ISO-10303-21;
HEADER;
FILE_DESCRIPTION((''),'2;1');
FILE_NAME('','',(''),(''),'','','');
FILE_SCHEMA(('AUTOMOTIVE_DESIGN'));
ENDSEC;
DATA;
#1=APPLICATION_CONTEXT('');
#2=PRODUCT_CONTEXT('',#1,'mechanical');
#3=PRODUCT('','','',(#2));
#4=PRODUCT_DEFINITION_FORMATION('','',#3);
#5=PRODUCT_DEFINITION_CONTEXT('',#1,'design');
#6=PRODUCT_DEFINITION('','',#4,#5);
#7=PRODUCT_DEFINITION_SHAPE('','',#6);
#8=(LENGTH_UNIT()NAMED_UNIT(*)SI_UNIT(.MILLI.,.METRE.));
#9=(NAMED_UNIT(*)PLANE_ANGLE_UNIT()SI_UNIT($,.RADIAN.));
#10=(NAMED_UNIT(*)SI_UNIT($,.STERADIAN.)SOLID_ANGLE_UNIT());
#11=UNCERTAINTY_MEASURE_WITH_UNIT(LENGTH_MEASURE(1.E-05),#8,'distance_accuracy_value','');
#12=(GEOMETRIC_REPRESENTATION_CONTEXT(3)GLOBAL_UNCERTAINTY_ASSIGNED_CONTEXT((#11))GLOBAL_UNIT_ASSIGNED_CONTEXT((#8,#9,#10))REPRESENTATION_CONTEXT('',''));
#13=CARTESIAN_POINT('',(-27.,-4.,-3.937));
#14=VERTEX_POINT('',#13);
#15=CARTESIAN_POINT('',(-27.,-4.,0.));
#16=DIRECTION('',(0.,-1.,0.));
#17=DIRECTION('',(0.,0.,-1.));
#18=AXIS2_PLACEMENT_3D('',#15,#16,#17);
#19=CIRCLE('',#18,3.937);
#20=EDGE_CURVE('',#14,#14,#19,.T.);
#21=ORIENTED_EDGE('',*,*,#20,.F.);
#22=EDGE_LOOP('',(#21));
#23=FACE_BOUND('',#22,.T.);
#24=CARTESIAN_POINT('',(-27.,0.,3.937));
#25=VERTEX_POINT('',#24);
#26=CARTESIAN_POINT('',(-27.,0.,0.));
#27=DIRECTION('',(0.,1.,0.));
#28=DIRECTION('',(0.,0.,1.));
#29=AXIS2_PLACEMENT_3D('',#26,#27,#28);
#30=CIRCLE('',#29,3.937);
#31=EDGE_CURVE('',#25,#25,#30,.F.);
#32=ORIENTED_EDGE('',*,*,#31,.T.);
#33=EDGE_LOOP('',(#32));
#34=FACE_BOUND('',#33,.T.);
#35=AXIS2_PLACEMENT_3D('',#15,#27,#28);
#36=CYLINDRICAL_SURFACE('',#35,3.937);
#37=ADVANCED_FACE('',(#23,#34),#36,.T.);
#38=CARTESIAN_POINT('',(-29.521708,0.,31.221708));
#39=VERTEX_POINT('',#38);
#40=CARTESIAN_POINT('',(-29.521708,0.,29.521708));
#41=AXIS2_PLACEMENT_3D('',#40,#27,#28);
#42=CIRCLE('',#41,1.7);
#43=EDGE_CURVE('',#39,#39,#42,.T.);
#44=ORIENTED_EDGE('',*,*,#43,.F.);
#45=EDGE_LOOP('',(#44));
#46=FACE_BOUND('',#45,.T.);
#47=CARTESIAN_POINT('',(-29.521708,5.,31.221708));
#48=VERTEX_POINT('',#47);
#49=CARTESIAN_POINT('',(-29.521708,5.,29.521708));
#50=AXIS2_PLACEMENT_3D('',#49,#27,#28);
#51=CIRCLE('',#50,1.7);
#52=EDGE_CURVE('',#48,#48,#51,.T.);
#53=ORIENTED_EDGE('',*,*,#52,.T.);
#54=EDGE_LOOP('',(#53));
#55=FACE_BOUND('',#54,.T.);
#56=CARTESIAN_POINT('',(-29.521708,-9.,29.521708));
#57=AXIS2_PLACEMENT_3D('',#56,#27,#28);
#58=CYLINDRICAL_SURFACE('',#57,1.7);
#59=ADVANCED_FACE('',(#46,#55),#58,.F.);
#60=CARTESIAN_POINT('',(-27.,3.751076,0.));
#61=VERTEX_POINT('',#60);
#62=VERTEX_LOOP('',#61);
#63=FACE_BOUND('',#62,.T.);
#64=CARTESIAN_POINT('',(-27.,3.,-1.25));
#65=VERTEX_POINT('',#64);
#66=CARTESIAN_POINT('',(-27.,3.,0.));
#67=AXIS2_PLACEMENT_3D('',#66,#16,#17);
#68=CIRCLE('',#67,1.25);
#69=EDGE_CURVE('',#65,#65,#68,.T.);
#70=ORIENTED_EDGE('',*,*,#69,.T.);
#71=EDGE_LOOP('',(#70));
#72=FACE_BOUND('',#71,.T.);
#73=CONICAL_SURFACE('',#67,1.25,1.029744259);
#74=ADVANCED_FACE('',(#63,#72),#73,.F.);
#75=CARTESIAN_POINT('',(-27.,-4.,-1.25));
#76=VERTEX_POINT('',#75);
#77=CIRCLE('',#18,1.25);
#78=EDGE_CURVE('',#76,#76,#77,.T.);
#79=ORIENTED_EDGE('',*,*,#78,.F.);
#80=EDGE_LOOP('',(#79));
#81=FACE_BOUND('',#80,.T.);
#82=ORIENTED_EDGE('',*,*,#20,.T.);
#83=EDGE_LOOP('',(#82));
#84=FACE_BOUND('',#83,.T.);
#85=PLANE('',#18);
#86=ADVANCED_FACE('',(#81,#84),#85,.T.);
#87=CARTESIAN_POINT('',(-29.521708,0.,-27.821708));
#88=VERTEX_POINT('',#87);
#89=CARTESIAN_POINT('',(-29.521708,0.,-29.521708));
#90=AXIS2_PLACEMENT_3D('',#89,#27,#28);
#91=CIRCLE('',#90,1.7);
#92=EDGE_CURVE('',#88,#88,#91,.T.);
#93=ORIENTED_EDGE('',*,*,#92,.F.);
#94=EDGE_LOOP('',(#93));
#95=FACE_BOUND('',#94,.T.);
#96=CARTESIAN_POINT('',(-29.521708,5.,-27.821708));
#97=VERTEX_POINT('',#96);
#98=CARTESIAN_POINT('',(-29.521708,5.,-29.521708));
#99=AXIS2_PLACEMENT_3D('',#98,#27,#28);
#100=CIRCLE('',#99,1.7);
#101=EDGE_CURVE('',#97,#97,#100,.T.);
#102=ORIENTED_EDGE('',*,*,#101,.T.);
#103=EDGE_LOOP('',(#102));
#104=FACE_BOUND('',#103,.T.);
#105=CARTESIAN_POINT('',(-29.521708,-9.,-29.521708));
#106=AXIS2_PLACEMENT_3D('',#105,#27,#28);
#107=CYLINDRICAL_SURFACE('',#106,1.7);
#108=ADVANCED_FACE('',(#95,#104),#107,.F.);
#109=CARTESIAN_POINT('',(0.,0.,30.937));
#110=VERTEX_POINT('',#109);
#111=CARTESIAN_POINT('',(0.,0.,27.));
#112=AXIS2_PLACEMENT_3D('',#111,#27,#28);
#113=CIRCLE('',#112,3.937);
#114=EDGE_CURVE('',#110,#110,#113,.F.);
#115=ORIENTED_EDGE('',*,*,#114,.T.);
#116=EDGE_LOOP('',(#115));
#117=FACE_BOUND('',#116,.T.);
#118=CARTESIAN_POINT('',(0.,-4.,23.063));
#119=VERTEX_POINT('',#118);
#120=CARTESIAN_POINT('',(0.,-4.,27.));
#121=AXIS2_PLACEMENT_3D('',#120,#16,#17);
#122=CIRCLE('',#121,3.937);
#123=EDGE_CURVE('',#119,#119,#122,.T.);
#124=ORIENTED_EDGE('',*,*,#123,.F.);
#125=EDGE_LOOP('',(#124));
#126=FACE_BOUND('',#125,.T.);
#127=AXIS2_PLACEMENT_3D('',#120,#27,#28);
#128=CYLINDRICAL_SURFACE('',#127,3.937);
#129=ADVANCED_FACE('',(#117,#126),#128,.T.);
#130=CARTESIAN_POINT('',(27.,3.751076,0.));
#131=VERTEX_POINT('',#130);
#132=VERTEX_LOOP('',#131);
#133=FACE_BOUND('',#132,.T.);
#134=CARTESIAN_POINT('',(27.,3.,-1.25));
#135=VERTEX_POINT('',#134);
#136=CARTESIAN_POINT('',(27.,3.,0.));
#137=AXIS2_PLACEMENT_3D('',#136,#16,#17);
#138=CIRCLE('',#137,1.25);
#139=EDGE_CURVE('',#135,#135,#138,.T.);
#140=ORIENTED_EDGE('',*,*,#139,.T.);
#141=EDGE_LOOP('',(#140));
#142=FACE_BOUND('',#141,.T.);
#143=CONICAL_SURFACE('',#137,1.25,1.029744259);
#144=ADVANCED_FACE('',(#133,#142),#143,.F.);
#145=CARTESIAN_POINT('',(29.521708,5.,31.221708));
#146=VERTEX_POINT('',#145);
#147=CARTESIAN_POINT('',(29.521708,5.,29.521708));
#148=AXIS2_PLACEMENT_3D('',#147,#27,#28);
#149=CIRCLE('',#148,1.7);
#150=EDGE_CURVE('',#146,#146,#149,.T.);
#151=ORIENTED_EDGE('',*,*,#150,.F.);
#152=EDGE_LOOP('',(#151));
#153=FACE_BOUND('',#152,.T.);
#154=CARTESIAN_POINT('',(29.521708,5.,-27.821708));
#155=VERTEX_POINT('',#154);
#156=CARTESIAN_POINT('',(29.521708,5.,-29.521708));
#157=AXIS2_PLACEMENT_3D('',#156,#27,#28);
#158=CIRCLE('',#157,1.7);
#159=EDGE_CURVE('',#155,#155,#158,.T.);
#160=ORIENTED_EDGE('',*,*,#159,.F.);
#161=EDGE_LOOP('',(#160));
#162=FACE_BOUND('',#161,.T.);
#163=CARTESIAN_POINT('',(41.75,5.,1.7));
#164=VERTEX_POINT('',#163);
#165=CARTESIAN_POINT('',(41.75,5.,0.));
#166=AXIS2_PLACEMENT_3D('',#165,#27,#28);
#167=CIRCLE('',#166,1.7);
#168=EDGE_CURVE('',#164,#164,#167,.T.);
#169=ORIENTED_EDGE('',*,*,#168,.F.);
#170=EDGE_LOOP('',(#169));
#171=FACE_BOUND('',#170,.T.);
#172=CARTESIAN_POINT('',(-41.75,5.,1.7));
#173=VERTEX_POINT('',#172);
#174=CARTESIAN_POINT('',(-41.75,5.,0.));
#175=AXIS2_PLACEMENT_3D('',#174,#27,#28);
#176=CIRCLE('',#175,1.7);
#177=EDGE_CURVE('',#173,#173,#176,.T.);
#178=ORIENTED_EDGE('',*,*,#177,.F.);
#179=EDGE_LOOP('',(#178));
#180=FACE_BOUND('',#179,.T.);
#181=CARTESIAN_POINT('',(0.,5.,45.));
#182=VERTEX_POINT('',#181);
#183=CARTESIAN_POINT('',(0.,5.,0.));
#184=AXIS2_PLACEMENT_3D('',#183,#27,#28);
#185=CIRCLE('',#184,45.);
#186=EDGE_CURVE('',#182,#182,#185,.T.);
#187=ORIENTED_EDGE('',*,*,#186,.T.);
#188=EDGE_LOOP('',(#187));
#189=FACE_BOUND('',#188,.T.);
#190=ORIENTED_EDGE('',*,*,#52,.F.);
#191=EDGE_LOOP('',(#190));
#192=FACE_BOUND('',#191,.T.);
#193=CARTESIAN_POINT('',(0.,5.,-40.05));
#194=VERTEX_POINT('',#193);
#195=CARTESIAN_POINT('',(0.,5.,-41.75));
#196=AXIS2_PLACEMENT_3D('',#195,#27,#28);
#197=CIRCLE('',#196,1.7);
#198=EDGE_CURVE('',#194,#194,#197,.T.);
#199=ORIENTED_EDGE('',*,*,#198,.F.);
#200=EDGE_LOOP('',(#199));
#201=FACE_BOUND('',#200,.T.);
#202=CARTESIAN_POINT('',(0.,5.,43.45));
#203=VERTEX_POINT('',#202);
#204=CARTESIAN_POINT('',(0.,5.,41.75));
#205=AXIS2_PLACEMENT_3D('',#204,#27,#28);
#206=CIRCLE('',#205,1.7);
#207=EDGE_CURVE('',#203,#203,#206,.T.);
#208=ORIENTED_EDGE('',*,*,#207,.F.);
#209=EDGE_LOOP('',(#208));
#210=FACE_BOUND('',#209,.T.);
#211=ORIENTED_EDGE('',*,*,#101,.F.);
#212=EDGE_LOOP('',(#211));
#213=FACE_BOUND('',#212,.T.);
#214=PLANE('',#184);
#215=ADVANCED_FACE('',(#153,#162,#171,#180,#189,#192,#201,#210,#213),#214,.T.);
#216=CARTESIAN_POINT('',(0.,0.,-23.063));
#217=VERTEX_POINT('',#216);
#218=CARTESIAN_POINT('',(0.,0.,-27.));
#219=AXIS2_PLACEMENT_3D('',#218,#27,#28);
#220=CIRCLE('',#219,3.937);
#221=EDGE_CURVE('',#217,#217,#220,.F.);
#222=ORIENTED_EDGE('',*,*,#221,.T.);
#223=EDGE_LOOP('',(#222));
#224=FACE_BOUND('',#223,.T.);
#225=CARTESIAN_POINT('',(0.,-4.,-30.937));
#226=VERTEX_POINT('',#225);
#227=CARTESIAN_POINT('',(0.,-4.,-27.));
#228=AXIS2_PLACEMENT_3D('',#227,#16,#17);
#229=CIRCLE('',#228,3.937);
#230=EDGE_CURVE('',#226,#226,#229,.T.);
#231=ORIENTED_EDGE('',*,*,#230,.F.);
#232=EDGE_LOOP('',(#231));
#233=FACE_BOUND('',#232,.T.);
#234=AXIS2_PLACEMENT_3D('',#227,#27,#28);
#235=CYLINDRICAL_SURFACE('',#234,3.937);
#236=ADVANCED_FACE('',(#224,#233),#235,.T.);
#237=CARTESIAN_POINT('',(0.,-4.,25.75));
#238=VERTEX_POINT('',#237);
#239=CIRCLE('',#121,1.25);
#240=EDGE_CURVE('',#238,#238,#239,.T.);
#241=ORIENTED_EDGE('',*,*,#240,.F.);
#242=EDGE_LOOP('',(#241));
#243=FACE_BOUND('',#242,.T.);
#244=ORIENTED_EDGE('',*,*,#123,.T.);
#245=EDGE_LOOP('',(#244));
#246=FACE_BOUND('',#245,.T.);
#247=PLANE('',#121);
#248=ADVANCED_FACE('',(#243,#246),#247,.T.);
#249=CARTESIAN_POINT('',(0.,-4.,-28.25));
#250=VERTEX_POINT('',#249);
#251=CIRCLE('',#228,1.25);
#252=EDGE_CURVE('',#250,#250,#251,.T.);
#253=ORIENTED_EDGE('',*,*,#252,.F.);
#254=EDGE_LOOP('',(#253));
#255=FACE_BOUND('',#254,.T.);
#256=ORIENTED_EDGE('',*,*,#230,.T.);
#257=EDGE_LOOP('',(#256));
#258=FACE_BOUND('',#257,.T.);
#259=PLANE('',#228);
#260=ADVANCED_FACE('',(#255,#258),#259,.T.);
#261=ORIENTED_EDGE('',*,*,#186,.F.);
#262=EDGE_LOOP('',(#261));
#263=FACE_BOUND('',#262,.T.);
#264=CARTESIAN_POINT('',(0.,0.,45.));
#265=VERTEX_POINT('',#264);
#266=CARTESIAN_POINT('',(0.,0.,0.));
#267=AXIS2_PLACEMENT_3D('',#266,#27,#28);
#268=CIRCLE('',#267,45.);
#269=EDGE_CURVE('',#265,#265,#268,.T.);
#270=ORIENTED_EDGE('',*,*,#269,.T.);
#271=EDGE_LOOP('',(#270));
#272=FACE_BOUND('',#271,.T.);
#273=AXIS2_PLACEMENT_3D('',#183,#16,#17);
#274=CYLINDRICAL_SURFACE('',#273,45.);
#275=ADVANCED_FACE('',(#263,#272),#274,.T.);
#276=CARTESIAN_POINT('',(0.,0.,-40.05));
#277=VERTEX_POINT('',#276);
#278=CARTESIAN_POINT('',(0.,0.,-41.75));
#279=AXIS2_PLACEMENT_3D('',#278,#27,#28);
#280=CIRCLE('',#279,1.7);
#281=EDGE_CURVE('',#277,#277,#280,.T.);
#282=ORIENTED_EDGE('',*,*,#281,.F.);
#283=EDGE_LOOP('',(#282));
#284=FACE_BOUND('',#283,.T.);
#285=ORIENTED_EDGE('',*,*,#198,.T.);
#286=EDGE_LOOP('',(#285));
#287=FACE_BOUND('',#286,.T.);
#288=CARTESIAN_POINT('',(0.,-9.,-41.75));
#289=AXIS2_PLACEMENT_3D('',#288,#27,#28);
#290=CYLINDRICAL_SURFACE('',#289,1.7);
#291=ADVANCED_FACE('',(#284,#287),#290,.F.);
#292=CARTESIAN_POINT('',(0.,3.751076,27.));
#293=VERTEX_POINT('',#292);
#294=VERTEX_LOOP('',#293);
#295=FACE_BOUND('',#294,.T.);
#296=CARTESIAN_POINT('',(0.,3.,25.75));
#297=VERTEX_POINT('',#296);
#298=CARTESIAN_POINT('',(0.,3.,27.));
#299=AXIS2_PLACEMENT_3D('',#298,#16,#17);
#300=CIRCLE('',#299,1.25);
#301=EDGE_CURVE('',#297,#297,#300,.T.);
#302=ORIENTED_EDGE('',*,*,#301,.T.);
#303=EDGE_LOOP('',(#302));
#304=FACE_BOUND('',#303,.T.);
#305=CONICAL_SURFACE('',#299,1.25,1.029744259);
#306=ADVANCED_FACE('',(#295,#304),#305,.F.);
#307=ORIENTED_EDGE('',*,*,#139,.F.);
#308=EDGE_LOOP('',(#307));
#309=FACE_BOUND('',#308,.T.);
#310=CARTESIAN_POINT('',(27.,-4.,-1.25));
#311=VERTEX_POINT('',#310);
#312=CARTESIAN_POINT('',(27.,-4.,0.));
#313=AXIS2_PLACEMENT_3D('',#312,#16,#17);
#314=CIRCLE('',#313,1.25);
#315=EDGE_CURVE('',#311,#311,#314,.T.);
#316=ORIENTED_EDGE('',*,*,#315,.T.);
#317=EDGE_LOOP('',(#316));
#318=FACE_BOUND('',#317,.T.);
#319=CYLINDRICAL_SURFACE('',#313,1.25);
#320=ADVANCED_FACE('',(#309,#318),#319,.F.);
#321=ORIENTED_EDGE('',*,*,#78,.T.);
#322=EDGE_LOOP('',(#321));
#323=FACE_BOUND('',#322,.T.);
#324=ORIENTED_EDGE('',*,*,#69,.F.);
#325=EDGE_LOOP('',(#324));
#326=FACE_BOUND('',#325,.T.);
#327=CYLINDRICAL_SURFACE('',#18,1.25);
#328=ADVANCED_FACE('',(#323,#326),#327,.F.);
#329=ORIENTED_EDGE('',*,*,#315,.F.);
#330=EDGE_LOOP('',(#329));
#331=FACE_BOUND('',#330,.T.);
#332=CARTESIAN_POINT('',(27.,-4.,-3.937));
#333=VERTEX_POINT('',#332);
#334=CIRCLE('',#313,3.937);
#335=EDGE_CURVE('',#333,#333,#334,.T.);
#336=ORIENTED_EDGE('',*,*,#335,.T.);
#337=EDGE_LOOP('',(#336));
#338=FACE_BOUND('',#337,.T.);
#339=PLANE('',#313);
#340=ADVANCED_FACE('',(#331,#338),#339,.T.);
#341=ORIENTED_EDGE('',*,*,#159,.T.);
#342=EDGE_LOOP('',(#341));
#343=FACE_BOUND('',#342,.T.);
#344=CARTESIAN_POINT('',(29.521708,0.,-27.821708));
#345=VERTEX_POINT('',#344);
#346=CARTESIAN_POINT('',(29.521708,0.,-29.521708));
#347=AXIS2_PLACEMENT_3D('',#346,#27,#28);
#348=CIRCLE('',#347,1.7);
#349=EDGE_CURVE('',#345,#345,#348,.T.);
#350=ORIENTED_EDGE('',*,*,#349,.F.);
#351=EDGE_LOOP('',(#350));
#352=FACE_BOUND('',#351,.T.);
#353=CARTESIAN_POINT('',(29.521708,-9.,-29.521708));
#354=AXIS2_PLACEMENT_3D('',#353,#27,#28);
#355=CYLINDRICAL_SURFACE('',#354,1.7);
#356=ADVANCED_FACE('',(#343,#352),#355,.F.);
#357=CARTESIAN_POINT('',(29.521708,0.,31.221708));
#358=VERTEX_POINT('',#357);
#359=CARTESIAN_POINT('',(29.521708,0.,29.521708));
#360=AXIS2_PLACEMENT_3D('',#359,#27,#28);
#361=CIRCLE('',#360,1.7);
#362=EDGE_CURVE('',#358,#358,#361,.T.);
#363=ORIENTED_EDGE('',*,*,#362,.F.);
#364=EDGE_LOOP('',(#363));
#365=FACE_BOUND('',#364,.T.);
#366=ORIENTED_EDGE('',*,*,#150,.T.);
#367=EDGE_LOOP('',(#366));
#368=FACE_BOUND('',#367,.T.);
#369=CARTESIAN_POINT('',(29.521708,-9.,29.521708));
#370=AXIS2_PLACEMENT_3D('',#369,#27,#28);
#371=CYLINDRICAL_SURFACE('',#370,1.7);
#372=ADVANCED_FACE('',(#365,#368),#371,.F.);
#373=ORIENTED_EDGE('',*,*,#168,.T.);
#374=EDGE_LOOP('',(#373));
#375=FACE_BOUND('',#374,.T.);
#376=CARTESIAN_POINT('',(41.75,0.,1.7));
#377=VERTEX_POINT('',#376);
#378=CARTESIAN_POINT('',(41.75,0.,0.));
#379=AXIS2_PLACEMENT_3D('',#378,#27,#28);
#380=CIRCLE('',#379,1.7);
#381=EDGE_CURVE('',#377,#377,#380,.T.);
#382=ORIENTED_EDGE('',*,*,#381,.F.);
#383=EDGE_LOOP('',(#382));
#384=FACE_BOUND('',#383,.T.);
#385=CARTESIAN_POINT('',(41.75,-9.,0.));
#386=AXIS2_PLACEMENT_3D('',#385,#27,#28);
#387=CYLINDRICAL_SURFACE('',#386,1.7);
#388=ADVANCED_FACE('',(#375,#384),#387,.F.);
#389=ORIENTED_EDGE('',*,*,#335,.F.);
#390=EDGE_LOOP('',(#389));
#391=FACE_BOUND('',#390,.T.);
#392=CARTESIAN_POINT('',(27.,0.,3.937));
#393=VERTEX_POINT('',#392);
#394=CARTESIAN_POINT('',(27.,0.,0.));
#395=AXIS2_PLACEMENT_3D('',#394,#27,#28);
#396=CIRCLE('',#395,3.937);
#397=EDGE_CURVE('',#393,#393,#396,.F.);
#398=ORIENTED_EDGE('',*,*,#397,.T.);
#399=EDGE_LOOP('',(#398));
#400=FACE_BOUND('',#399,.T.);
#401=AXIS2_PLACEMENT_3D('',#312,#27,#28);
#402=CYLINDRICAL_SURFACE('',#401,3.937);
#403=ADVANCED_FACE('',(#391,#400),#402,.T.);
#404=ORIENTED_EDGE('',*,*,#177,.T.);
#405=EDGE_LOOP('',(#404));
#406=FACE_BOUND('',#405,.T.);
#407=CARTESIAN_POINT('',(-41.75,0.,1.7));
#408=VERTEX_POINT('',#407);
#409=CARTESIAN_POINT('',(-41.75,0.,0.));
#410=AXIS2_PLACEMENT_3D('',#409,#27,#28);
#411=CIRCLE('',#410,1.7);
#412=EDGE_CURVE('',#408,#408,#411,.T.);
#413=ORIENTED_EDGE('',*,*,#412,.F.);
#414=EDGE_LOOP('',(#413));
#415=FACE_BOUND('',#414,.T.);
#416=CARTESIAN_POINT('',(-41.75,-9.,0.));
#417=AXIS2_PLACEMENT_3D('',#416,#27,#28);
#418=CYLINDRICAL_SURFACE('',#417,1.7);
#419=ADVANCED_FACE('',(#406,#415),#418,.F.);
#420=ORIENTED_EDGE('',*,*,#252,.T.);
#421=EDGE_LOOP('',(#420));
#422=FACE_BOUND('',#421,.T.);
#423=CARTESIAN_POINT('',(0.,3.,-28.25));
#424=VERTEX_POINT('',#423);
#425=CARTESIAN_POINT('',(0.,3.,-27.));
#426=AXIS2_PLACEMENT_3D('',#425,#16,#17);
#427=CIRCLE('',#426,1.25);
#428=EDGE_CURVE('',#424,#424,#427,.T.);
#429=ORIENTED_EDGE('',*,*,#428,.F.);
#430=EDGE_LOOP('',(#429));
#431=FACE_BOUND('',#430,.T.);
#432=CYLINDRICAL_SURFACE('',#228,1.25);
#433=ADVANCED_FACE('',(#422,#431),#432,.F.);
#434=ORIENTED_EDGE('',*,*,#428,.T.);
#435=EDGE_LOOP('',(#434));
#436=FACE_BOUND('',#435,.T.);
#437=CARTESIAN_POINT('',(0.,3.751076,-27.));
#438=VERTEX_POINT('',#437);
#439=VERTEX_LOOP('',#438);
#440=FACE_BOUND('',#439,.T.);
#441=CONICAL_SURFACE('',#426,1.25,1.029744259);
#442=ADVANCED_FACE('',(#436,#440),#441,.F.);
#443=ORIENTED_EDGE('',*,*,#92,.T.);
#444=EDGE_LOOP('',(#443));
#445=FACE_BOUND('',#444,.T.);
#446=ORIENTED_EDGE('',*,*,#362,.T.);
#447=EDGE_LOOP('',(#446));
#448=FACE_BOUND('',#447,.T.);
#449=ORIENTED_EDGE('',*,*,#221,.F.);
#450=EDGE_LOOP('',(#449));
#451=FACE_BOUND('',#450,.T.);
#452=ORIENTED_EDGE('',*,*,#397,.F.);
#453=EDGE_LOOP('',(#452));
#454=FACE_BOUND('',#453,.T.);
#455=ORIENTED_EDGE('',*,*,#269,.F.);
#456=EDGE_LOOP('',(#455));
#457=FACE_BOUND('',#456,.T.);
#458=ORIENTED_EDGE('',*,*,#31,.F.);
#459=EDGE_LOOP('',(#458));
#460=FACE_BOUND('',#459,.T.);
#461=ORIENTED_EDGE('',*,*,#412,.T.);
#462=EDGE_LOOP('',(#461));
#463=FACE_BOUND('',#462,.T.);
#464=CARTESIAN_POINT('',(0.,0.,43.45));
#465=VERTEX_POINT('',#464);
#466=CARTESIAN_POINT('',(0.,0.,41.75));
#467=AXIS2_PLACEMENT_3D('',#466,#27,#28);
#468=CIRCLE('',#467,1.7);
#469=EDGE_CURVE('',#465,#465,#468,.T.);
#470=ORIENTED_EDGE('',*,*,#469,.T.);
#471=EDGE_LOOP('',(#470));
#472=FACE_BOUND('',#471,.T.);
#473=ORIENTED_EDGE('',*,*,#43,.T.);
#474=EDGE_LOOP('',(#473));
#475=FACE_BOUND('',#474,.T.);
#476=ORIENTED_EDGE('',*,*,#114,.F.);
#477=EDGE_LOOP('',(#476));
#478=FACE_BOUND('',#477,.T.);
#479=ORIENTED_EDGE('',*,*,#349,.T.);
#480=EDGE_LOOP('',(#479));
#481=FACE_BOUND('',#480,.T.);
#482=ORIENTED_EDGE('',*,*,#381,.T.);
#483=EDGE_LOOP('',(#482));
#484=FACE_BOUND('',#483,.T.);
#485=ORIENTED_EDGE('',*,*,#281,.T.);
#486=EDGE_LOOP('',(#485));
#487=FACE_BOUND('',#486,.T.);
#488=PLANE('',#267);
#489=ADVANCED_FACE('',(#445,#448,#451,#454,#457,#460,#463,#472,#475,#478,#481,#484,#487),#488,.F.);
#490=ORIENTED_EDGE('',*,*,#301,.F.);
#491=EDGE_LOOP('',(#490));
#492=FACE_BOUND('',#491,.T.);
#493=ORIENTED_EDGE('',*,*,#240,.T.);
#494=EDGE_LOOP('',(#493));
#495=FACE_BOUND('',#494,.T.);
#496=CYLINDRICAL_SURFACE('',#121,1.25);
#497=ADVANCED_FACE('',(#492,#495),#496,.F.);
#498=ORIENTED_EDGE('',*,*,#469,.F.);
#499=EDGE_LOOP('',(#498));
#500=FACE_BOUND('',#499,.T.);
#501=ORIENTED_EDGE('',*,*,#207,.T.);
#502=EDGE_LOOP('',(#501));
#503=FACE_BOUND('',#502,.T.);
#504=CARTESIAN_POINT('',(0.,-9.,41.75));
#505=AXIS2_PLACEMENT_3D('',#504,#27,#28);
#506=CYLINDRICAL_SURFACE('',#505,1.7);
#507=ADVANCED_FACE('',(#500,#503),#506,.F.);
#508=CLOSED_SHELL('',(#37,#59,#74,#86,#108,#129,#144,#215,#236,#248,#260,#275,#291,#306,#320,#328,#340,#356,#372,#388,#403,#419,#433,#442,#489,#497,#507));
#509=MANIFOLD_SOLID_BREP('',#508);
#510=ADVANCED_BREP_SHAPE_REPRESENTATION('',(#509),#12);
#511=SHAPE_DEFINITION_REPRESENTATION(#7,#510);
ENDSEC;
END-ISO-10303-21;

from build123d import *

# Parameters (mm, degrees)
SKETCH1_R             = 45
SKETCH1_R_2           = 1.5
BOSS_EXTRUDE2_DEPTH   = 5
SKETCH9_R             = 3.937
BOSS_EXTRUDE7_DEPTH   = 4
SKETCH10_R            = 1.7
CUT_EXTRUDE9_DEPTH    = 14
M3_TAPPED_HOLE1_D     = 2.5
M3_TAPPED_HOLE1_DEPTH = 7
M3_TAPPED_HOLE1_TIP   = 0.751075774


with BuildPart() as part:
    # Sketch1 → Boss-Extrude2 (new body)
    with BuildSketch(Plane(origin=(0, 0, 0), x_dir=(1, 0, 0), z_dir=(0, 1, 0))):
        with Locations(Location((0, 0, 0), (0, 0, 270))):
            Circle(SKETCH1_R)
        with Locations(Location((0, 41.75, 0), (0, 0, 270))):
            Circle(SKETCH1_R_2, mode=Mode.SUBTRACT)
        with Locations(Location((29.521708115, 29.521708115, 0), (0, 0, 270))):
            Circle(SKETCH1_R_2, mode=Mode.SUBTRACT)
        with Locations(Location((41.75, 0, 0), (0, 0, 270))):
            Circle(SKETCH1_R_2, mode=Mode.SUBTRACT)
        with Locations(Location((29.521708115, -29.521708115, 0), (0, 0, 270))):
            Circle(SKETCH1_R_2, mode=Mode.SUBTRACT)
        with Locations(Location((0, -41.75, 0), (0, 0, 270))):
            Circle(SKETCH1_R_2, mode=Mode.SUBTRACT)
        with Locations(Location((-29.521708115, -29.521708115, 0), (0, 0, 270))):
            Circle(SKETCH1_R_2, mode=Mode.SUBTRACT)
        with Locations(Location((-41.75, 0, 0), (0, 0, 270))):
            Circle(SKETCH1_R_2, mode=Mode.SUBTRACT)
        with Locations(Location((-29.521708115, 29.521708115, 0), (0, 0, 270))):
            Circle(SKETCH1_R_2, mode=Mode.SUBTRACT)
    extrude(amount=BOSS_EXTRUDE2_DEPTH)

    # Sketch9 → Boss-Extrude7 (add)
    with BuildSketch(Plane.XZ):
        with Locations(Location((27, 0, 0), (0, 0, 90))):
            Circle(SKETCH9_R)
        with Locations(Location((0, -27, 0), (0, 0, 90))):
            Circle(SKETCH9_R)
        with Locations(Location((-27, 0, 0), (0, 0, 90))):
            Circle(SKETCH9_R)
        with Locations(Location((0, 27, 0), (0, 0, 90))):
            Circle(SKETCH9_R)
    extrude(amount=BOSS_EXTRUDE7_DEPTH)

    # Sketch10 → Cut-Extrude9 (cut)
    with BuildSketch(Plane(origin=(0, 5, 0), x_dir=(1, 0, 0), z_dir=(0, 1, 0))):
        with Locations(Location((0, 41.75, 0), (0, 0, 270))):
            Circle(SKETCH10_R)
        with Locations(Location((29.521708115, 29.521708115, 0), (0, 0, 270))):
            Circle(SKETCH10_R)
        with Locations(Location((41.75, 0, 0), (0, 0, 270))):
            Circle(SKETCH10_R)
        with Locations(Location((29.521708115, -29.521708115, 0), (0, 0, 270))):
            Circle(SKETCH10_R)
        with Locations(Location((0, -41.75, 0), (0, 0, 270))):
            Circle(SKETCH10_R)
        with Locations(Location((-29.521708115, -29.521708115, 0), (0, 0, 270))):
            Circle(SKETCH10_R)
        with Locations(Location((-41.75, 0, 0), (0, 0, 270))):
            Circle(SKETCH10_R)
        with Locations(Location((-29.521708115, 29.521708115, 0), (0, 0, 270))):
            Circle(SKETCH10_R)
    extrude(amount=-CUT_EXTRUDE9_DEPTH, mode=Mode.SUBTRACT)

    # M3 Tapped Hole1
    with Locations(Plane.XZ.offset(4)):
        with Locations((0, 27), (27, 0), (0, -27), (-27, 0)):
            Hole(M3_TAPPED_HOLE1_D / 2, depth=M3_TAPPED_HOLE1_DEPTH)
            with Locations((0, 0, -(M3_TAPPED_HOLE1_DEPTH + M3_TAPPED_HOLE1_TIP / 2))):  # 118° drill point
                Cone(0, M3_TAPPED_HOLE1_D / 2, M3_TAPPED_HOLE1_TIP, mode=Mode.SUBTRACT)


solid = part.part
